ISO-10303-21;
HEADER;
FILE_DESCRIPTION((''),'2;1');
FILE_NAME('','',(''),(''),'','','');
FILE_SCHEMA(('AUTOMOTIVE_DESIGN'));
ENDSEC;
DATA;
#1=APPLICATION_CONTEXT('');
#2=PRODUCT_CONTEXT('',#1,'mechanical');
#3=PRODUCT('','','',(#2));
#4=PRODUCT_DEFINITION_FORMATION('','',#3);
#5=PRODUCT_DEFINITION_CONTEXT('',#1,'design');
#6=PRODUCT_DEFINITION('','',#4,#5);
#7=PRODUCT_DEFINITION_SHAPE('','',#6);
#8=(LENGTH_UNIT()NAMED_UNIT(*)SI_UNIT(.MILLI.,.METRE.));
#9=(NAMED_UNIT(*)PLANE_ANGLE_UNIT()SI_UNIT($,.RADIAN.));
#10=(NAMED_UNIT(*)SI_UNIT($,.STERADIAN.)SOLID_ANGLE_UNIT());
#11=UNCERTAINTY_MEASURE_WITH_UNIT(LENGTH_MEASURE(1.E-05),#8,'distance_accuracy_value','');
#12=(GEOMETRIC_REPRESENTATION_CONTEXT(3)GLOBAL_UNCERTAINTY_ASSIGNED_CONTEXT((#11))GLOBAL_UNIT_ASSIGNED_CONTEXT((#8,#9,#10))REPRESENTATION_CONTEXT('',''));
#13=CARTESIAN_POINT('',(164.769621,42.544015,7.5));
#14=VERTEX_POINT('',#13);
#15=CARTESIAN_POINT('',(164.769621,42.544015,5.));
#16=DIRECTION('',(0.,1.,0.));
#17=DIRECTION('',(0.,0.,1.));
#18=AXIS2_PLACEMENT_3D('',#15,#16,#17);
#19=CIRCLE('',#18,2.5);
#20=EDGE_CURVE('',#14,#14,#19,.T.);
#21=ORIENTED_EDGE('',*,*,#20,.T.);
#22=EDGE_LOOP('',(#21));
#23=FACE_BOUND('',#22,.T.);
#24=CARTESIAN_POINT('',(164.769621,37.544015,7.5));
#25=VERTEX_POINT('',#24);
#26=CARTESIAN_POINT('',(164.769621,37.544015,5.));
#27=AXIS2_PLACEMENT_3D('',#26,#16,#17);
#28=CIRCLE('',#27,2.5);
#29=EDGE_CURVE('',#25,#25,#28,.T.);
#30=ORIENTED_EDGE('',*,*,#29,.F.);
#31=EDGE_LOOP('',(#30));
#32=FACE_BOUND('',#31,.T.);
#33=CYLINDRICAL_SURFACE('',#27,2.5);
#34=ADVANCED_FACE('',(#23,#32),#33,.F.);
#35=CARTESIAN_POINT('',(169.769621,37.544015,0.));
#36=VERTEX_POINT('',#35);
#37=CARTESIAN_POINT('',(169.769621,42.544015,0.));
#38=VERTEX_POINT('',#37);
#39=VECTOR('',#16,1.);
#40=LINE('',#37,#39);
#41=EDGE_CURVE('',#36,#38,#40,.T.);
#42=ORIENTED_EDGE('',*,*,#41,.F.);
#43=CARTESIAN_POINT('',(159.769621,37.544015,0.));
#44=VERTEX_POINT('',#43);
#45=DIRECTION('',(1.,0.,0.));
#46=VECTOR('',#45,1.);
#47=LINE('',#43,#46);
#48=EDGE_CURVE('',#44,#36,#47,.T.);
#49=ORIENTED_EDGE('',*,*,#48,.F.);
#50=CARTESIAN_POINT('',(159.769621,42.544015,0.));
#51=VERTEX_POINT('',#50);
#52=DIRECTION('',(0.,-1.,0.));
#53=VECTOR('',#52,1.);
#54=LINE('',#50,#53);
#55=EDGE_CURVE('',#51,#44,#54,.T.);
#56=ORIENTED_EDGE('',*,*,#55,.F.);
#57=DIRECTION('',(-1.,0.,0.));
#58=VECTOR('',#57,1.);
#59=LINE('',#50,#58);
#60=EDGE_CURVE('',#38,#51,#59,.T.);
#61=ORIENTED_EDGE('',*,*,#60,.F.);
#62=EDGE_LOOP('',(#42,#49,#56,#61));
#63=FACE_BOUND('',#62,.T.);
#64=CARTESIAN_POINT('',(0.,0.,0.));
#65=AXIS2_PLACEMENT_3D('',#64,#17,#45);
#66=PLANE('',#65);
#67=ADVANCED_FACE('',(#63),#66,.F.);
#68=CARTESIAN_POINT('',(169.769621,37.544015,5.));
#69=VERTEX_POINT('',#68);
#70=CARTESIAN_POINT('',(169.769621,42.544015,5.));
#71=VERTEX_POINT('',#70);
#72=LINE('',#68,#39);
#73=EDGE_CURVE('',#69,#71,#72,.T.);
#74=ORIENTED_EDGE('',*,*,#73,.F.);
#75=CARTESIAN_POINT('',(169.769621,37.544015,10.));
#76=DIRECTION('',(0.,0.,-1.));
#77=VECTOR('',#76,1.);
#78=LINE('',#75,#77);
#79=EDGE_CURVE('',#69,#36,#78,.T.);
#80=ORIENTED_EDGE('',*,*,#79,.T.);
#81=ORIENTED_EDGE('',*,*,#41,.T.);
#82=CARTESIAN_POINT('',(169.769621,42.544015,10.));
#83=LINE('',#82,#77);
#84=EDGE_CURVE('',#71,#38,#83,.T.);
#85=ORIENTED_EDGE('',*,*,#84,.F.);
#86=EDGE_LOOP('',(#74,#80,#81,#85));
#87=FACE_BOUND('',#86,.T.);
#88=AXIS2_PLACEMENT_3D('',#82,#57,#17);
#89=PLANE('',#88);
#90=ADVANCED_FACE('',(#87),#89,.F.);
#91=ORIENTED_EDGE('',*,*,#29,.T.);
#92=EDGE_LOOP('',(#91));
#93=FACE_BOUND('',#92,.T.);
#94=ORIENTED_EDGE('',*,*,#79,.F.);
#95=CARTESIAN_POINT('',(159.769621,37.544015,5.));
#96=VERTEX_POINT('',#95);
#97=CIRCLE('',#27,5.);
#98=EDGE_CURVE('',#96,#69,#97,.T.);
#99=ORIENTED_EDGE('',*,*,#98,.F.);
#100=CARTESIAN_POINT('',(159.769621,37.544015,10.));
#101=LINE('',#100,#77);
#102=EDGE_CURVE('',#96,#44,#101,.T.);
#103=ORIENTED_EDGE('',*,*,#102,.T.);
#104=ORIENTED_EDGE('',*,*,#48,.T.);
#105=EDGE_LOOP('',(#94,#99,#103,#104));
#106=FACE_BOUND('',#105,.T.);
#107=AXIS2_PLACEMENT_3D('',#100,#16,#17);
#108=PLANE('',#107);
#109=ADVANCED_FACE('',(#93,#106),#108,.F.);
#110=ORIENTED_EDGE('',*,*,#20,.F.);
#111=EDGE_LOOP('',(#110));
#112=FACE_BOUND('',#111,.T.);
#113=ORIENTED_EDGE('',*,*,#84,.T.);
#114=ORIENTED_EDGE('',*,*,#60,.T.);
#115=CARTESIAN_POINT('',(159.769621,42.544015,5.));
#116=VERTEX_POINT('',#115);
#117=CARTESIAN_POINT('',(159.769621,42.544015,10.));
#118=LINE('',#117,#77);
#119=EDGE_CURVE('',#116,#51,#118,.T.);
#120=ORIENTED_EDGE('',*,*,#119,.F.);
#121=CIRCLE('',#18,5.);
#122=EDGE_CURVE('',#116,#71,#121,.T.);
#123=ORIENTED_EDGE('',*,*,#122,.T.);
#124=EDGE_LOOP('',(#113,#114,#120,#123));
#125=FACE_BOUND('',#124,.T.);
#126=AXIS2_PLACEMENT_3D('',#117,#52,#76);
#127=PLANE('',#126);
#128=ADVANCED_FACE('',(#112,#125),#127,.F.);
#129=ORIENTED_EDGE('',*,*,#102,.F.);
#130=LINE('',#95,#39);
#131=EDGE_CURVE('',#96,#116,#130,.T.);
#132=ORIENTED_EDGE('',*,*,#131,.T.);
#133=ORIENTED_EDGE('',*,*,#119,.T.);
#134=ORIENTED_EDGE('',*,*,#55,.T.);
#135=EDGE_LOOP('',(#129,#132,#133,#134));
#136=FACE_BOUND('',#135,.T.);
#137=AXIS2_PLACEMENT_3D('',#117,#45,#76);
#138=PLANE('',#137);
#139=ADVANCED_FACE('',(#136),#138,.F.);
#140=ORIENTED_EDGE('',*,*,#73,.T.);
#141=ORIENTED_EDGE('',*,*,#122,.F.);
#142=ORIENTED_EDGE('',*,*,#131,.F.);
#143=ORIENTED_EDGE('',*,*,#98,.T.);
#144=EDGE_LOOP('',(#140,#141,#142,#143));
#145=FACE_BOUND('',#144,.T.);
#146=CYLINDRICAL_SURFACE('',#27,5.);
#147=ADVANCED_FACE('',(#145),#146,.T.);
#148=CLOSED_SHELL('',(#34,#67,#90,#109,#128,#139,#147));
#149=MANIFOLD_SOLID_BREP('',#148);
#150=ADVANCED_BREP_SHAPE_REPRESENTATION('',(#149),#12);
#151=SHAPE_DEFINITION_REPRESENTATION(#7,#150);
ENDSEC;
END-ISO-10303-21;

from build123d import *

# Parameters (mm, degrees)
SKETCH1_W           = 10
SKETCH1_H           = 5
BOSS_EXTRUDE1_DEPTH = 10
SKETCH2_R           = 2.5
CUT_EXTRUDE1_DEPTH  = 171.137369091


with BuildPart() as part:
    # Sketch1 → Boss-Extrude1 (new body)
    with BuildSketch(Plane.XY):
        with Locations((164.769621432, 40.044015335)):
            Rectangle(SKETCH1_W, SKETCH1_H)
    extrude(amount=BOSS_EXTRUDE1_DEPTH)

    # Sketch2 → Cut-Extrude1 (cut, through all)
    with BuildSketch(Plane(origin=(0, 42.544015335, 0), x_dir=(1, 0, 0), z_dir=(0, 1, 0))):
        with BuildLine():
            ThreePointArc((164.769621432, -10), (161.234087527, -8.535533906), (159.769621432, -5))
            Line((159.769621432, -5), (159.769621432, -10))
            Line((159.769621432, -10), (164.769621432, -10))
        make_face()
        with BuildLine():
            ThreePointArc((169.769621432, -5), (168.305155338, -8.535533906), (164.769621432, -10))
            Line((164.769621432, -10), (169.769621432, -10))
            Line((169.769621432, -10), (169.769621432, -5))
        make_face()
        with Locations((164.769621432, -5)):
            Circle(SKETCH2_R)
    extrude(amount=-CUT_EXTRUDE1_DEPTH, mode=Mode.SUBTRACT)


solid = part.part
